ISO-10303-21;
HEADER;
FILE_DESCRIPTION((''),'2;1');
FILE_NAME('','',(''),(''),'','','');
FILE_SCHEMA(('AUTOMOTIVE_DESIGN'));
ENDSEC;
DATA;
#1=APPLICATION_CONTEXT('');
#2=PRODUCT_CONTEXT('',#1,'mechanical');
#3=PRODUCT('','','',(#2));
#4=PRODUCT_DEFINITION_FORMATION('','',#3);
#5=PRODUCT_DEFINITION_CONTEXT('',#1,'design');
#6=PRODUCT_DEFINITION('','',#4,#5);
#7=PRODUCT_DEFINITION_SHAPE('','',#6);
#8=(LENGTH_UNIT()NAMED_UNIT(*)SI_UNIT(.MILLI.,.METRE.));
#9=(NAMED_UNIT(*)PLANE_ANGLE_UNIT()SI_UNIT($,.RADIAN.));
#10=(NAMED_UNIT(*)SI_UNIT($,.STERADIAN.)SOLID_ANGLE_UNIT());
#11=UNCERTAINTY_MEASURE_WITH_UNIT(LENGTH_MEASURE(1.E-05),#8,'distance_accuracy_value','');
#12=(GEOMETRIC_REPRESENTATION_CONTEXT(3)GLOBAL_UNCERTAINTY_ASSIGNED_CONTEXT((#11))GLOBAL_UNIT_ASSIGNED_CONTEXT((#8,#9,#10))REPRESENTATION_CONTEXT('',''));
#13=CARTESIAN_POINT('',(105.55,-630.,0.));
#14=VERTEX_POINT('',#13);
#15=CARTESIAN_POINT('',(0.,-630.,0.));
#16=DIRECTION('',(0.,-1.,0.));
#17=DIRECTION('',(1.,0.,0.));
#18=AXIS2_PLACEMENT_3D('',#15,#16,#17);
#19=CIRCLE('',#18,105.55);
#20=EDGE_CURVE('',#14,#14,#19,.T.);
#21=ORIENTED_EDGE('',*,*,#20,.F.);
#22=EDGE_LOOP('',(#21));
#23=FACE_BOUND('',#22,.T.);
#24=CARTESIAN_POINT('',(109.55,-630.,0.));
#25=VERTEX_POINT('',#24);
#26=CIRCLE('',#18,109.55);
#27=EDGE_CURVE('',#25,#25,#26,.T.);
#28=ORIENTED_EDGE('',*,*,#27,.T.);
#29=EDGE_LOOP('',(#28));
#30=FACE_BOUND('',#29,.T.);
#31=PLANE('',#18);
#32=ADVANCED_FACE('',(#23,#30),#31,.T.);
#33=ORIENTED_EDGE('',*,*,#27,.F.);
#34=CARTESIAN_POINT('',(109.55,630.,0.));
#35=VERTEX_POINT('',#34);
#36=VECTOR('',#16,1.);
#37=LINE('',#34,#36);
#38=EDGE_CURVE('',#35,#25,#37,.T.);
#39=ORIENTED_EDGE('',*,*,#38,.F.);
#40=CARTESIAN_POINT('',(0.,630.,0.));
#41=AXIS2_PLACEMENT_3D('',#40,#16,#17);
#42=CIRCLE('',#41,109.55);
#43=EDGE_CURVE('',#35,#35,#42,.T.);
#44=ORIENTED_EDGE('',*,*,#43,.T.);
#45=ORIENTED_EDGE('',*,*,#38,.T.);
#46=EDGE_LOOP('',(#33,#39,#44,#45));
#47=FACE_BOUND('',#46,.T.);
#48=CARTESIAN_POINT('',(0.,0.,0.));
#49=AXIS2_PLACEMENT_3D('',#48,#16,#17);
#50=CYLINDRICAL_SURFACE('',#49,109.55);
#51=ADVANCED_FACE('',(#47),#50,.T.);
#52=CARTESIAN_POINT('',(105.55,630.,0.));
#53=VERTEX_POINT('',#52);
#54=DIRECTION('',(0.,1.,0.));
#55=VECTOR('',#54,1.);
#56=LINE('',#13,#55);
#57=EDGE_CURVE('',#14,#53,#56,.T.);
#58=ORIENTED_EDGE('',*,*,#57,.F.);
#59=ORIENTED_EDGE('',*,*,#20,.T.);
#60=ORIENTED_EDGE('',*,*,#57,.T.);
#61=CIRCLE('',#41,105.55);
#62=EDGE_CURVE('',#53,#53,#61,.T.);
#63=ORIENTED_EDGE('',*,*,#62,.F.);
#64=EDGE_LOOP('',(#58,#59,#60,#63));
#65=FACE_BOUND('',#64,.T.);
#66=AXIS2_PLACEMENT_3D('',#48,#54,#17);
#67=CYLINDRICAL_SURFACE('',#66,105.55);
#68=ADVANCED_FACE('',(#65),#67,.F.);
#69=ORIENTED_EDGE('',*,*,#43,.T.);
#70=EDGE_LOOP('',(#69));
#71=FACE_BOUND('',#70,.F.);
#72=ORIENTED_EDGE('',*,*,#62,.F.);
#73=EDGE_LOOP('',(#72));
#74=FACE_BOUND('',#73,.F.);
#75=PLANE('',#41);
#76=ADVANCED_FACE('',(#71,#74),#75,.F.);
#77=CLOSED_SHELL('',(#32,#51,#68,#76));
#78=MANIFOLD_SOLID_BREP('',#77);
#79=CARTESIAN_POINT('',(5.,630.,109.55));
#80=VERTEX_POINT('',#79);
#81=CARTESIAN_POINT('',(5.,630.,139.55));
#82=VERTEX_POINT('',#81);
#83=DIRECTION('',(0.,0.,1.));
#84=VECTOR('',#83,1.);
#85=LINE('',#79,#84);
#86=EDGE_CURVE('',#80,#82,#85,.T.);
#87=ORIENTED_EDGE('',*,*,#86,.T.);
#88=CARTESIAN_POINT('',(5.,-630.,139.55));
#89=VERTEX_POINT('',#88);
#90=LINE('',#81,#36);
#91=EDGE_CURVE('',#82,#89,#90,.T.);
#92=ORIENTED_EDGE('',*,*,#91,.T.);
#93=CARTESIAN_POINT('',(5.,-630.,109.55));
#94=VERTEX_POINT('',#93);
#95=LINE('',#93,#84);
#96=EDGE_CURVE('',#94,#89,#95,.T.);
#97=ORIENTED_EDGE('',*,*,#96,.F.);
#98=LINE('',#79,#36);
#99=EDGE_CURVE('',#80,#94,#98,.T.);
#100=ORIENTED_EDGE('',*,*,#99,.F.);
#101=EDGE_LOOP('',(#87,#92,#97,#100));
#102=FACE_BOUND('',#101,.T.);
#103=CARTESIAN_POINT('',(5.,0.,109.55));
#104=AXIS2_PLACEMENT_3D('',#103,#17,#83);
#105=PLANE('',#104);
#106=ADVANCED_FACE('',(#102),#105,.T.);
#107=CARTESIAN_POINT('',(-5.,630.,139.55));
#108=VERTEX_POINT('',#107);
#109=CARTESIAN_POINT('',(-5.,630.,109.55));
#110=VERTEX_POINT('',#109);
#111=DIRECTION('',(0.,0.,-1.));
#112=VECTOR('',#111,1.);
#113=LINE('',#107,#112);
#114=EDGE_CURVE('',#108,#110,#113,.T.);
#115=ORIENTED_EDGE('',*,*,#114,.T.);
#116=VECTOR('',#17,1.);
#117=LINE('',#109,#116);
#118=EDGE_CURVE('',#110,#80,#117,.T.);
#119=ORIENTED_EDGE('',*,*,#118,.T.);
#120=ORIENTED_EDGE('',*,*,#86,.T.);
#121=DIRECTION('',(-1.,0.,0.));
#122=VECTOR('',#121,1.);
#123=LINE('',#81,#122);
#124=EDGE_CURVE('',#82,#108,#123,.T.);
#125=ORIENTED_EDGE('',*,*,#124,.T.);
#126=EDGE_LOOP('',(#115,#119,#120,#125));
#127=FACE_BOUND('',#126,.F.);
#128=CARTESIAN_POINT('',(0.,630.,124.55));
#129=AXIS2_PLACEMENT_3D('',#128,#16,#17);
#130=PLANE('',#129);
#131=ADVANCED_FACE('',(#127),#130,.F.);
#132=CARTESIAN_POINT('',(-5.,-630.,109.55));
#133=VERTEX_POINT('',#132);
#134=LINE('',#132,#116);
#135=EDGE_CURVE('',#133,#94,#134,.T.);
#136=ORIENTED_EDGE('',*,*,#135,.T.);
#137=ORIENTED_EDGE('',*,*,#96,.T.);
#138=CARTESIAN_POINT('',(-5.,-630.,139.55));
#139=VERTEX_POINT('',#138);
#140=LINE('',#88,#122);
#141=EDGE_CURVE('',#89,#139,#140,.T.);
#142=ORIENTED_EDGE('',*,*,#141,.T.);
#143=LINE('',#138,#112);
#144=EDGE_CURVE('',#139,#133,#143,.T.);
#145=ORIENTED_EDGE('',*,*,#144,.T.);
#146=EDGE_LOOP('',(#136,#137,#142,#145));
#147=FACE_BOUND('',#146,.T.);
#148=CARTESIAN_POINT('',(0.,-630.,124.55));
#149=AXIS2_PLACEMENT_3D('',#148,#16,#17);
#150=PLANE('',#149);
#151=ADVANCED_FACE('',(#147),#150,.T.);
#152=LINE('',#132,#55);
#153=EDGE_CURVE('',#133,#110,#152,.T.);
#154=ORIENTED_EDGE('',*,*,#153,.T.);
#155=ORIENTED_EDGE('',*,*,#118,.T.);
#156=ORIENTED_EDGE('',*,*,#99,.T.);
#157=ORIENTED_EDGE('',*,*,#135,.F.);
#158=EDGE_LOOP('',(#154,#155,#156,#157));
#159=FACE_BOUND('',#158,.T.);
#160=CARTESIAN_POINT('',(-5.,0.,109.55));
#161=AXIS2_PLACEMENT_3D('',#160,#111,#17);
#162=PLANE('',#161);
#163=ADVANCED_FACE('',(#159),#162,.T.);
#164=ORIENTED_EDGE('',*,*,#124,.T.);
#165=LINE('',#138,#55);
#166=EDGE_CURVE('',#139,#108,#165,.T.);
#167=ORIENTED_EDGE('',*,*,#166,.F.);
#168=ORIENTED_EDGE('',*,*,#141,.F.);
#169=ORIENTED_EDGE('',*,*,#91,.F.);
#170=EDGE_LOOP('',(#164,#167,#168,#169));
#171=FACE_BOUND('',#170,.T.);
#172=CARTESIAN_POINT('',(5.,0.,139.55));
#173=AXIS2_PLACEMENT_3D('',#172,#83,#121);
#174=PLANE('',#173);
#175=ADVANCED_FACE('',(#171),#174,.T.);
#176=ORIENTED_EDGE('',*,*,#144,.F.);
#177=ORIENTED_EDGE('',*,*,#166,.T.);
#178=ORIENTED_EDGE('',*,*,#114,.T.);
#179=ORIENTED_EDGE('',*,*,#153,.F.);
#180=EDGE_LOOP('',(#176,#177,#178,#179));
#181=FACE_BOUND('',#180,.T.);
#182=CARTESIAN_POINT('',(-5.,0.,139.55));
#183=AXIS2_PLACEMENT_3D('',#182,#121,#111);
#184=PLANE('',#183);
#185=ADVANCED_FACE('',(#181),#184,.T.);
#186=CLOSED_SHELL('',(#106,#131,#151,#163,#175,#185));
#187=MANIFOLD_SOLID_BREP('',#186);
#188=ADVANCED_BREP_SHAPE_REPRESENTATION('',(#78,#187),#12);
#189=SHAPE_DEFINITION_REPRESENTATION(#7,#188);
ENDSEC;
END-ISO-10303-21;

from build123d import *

# Parameters (mm, degrees)
F1_R          = 105.55
F2_DEPTH      = 630
F3_DEPTH      = 630
F3_DEPTH_BACK = 630


with BuildPart() as f2:
    # F1 (on Front) → F2 (new body, symmetric)
    with BuildSketch(Plane.XZ):
        with BuildLine():
            ThreePointArc((0, 109.55), (-77.463547879, -77.463547879), (109.55, 0))
            ThreePointArc((109.55, 0), (77.463547879, 77.463547879), (0, 109.55))
        make_face()
        Circle(F1_R, mode=Mode.SUBTRACT)
    extrude(amount=F2_DEPTH, both=True)


with BuildPart() as f3:
    # F1 (on Front) → F3 (new body, two sides)
    with BuildSketch(Plane.XZ) as f3_sk:
        Polygon((-5, 109.55), (0, 109.55), (5, 109.55), (5, 139.55), (-5, 139.55), align=None)
    extrude(amount=F3_DEPTH)
    extrude(f3_sk.sketch, amount=-F3_DEPTH_BACK)


solid = Compound([f2.part, f3.part])
